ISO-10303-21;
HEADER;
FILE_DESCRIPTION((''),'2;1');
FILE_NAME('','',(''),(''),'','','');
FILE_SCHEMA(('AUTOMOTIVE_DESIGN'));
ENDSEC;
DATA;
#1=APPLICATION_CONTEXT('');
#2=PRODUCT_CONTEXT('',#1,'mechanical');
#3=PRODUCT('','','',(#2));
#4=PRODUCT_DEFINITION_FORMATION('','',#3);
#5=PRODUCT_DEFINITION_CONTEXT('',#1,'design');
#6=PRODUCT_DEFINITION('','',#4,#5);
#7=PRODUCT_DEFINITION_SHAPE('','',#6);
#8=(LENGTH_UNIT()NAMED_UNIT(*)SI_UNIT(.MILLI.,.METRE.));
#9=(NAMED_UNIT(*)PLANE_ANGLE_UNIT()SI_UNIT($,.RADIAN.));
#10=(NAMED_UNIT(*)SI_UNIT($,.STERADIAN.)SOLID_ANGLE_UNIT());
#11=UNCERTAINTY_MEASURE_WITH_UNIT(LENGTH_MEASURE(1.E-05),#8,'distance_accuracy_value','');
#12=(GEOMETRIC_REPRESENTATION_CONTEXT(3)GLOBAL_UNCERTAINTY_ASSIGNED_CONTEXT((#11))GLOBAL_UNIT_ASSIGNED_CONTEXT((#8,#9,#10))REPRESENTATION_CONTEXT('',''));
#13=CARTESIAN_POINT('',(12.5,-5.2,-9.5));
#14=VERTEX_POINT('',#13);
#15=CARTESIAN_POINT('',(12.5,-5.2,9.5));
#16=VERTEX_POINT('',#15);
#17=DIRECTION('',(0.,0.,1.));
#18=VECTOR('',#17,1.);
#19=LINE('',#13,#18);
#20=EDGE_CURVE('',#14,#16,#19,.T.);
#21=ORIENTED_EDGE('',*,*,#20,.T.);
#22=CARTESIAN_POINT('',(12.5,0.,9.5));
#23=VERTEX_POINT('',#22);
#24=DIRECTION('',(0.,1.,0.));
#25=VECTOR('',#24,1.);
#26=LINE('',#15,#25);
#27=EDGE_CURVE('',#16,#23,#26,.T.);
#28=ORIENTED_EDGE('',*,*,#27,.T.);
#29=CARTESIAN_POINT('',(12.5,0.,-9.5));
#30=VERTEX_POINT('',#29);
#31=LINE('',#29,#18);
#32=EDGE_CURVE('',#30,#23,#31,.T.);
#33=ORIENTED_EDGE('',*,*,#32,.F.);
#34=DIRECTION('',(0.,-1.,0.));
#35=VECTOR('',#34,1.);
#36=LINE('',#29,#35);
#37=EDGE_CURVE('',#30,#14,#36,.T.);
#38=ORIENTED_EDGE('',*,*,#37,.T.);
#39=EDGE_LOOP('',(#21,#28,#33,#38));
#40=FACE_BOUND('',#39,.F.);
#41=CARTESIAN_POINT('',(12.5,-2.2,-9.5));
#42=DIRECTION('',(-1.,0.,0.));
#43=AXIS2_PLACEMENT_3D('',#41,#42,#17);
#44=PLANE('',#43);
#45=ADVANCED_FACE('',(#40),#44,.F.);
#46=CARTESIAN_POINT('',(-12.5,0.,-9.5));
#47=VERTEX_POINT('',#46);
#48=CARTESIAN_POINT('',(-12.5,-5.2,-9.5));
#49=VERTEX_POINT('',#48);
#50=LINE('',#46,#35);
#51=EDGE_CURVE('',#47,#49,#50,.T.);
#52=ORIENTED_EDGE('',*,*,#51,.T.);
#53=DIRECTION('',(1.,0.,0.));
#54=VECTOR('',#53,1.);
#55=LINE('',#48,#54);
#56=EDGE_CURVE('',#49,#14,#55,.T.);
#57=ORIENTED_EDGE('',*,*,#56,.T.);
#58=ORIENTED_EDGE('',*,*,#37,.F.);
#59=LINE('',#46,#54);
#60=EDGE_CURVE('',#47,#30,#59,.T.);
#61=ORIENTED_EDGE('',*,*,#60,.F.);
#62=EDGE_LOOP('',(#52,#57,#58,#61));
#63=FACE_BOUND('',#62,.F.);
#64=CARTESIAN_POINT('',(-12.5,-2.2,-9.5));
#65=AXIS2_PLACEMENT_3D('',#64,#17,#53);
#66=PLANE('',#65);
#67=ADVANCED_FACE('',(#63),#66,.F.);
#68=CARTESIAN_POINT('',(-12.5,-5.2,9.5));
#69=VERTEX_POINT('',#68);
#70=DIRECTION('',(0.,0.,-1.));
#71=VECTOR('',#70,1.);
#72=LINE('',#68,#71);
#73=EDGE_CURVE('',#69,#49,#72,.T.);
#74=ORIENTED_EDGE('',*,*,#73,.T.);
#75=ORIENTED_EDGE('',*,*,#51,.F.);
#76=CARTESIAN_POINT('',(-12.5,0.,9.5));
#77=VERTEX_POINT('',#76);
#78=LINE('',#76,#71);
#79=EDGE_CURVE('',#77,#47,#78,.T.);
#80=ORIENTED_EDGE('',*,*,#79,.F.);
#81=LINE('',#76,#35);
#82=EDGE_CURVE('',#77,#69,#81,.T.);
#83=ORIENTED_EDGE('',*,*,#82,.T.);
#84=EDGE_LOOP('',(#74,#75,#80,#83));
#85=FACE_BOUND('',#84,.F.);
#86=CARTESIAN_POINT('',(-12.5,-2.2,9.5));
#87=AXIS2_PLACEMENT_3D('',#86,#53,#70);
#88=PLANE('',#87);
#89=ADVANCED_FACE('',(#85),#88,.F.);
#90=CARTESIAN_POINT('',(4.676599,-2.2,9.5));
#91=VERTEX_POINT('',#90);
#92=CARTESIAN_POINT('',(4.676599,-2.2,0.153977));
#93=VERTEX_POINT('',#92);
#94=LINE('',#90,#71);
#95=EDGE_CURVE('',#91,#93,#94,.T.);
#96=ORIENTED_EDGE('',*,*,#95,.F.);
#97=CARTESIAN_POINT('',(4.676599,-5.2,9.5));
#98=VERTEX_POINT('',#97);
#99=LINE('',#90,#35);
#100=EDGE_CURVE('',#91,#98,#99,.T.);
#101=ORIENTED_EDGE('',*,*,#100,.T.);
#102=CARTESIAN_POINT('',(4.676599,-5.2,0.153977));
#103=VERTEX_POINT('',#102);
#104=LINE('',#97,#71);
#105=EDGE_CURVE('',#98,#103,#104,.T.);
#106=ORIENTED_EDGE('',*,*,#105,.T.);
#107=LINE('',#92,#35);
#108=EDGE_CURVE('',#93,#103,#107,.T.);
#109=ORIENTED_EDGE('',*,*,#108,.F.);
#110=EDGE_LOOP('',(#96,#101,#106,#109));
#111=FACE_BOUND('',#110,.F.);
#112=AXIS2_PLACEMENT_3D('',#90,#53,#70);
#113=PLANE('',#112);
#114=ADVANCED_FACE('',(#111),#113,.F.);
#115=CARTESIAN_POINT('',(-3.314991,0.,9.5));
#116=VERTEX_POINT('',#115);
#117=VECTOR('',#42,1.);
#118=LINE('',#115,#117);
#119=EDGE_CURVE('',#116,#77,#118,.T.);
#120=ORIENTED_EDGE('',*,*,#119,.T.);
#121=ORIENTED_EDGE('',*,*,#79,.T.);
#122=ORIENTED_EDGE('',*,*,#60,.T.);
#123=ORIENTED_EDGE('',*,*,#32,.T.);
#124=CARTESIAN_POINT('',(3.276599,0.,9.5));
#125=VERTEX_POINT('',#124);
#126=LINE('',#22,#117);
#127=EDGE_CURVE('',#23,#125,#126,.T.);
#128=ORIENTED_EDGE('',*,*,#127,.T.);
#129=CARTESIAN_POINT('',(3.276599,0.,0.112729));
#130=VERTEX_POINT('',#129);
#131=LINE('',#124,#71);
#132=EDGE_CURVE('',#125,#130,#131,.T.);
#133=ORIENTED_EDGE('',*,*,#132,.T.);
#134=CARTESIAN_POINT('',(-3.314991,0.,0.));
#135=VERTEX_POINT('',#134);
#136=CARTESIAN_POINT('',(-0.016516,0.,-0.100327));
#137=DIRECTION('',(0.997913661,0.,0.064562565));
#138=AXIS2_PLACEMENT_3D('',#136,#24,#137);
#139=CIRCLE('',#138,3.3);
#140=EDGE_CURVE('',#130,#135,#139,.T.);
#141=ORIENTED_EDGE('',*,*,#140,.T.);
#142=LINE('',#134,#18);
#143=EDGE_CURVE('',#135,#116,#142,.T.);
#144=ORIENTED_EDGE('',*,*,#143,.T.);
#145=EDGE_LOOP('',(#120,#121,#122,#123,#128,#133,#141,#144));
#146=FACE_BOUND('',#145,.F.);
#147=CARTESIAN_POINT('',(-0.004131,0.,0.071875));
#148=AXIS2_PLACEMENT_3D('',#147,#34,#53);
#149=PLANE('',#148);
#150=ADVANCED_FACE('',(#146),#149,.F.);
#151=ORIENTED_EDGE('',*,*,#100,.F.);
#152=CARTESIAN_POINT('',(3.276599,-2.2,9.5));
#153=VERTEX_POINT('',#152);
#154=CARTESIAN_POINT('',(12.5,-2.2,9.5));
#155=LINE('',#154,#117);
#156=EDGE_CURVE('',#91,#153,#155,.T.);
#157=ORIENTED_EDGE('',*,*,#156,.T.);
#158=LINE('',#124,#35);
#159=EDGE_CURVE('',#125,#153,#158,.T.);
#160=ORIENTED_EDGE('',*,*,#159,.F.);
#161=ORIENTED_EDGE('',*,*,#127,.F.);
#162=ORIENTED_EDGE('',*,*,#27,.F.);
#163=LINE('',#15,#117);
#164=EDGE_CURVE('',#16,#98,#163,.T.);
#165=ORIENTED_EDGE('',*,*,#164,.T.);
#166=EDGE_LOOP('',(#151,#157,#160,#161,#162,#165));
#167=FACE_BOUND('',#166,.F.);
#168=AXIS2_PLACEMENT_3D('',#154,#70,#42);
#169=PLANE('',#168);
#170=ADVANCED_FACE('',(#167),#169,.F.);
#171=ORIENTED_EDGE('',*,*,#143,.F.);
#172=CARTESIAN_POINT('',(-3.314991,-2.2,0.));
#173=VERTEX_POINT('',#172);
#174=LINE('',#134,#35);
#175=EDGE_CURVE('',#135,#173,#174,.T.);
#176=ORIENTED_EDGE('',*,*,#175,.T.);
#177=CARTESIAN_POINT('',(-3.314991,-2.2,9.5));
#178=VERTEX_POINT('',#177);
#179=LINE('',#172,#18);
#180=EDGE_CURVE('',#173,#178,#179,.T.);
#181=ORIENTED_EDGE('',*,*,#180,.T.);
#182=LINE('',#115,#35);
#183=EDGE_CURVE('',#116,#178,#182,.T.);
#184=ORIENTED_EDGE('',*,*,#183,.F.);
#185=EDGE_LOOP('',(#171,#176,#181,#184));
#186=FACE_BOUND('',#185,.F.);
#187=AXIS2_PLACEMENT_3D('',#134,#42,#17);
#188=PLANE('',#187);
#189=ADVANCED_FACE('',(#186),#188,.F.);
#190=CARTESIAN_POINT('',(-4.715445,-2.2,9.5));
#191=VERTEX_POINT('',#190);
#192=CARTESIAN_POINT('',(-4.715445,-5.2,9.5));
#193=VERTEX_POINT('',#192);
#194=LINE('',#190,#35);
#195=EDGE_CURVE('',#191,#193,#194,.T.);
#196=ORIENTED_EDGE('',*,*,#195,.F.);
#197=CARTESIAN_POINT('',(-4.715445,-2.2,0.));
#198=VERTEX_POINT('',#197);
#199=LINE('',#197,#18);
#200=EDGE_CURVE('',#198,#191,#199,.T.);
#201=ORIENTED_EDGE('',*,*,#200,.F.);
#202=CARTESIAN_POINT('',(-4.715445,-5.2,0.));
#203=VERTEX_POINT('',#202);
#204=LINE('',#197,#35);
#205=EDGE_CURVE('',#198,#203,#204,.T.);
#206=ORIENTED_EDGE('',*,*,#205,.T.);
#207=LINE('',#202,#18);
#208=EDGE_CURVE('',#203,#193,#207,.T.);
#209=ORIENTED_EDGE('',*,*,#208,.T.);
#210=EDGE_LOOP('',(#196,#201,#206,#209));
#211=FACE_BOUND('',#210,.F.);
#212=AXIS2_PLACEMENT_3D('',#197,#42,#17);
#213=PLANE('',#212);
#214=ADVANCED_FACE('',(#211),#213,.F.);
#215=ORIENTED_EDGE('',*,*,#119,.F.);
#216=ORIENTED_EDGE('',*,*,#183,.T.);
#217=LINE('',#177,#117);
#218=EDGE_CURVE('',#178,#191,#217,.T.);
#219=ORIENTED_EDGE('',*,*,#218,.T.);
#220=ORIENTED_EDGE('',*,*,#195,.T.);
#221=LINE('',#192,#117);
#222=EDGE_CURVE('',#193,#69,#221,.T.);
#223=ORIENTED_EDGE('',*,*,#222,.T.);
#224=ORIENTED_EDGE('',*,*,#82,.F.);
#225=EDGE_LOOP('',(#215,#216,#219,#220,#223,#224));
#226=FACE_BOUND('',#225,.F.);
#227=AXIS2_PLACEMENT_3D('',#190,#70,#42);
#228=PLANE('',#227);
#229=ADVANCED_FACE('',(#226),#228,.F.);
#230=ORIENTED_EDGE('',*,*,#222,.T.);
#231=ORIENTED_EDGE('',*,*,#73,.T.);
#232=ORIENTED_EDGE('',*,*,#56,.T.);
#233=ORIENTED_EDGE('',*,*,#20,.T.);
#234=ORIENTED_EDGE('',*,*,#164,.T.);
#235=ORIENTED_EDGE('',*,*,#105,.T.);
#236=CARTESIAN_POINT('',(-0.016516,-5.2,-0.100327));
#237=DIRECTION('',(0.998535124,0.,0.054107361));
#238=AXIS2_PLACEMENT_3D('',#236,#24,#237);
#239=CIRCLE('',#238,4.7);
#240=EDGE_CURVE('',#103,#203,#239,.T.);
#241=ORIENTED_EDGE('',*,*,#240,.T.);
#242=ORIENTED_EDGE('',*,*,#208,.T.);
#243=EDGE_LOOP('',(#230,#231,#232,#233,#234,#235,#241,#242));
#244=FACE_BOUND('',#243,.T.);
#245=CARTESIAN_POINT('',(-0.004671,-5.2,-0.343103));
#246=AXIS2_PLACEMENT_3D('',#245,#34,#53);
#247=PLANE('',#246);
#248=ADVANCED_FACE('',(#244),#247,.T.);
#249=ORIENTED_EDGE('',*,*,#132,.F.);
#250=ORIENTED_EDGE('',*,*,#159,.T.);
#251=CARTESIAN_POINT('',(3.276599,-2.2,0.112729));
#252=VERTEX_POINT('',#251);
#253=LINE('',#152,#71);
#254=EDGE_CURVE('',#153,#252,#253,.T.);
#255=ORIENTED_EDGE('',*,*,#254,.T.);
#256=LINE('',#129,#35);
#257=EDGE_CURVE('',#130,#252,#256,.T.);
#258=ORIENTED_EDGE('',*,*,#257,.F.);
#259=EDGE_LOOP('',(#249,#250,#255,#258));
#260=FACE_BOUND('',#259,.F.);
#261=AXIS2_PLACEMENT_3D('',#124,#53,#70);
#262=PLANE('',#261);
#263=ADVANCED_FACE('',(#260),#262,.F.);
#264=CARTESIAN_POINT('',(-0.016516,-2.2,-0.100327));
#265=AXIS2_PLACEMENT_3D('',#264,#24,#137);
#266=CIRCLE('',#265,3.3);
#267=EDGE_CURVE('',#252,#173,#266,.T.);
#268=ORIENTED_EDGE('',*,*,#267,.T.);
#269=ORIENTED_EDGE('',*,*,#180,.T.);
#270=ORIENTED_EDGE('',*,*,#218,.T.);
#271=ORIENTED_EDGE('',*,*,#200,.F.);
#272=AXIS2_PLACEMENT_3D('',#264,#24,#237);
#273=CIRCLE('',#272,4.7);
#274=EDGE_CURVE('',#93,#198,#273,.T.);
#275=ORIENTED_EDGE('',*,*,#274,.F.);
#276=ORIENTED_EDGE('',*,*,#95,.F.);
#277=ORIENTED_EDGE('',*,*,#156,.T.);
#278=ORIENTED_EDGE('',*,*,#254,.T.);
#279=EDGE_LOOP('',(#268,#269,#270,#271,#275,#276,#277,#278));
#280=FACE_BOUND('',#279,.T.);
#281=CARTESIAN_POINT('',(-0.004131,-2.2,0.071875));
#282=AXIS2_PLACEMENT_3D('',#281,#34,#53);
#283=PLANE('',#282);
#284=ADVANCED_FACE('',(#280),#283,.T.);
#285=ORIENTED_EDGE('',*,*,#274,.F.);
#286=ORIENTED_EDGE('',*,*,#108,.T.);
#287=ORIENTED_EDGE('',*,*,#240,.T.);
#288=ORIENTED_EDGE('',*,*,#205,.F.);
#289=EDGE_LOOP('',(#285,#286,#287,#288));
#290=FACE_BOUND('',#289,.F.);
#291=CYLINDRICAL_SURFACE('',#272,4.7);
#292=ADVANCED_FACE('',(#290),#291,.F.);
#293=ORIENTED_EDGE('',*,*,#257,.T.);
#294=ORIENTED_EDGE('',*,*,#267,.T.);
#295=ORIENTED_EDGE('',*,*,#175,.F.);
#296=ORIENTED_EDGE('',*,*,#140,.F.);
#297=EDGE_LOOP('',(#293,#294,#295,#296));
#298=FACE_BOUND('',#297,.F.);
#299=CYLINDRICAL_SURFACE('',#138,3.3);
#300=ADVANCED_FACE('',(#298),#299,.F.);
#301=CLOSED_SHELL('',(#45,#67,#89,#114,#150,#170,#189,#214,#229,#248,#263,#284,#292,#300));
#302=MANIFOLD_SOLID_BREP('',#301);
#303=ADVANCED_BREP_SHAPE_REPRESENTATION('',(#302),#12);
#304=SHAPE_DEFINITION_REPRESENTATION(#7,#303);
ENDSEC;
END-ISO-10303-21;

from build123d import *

# Parameters (mm, degrees)
F1_DEPTH = 2.2
F3_DEPTH = 3


with BuildPart() as f1:
    # F0 (on Front) → F1 (new body)
    with BuildSketch(Plane.XZ):
        with BuildLine():
            Line((12.5, -9.5), (12.5, 9.5))
            Line((12.5, 9.5), (3.2765988609, 9.5))
            Line((3.2765988609, 9.5), (3.2765988609, 0.1127291822))
            ThreePointArc((3.2765988609, 0.1127291822), (0.0399120355, -3.3998448003), (-3.3149907831, 0))
            Line((-3.3149907831, 0), (-3.3149907831, 9.5))
            Line((-3.3149907831, 9.5), (-12.5, 9.5))
            Line((-12.5, 9.5), (-12.5, -9.5))
            Line((-12.5, -9.5), (12.5, -9.5))
        make_face()
    extrude(amount=F1_DEPTH)

    # F2 (on face) → F3 (join)
    with BuildSketch(Plane.XZ.offset(2.2)):
        with BuildLine():
            ThreePointArc((4.6765988609, 0.1539773139), (0.0605272986, -4.799695782), (-4.7154452944, 0))
            Line((-4.7154452944, 0), (-4.7154452944, 9.5))
            Line((-4.7154452944, 9.5), (-12.5, 9.5))
            Line((-12.5, 9.5), (-12.5, -9.5))
            Line((-12.5, -9.5), (12.5, -9.5))
            Line((12.5, -9.5), (12.5, 9.5))
            Line((12.5, 9.5), (4.6765988609, 9.5))
            Line((4.6765988609, 9.5), (4.6765988609, 0.1539773139))
        make_face()
    extrude(amount=F3_DEPTH)


solid = f1.part
